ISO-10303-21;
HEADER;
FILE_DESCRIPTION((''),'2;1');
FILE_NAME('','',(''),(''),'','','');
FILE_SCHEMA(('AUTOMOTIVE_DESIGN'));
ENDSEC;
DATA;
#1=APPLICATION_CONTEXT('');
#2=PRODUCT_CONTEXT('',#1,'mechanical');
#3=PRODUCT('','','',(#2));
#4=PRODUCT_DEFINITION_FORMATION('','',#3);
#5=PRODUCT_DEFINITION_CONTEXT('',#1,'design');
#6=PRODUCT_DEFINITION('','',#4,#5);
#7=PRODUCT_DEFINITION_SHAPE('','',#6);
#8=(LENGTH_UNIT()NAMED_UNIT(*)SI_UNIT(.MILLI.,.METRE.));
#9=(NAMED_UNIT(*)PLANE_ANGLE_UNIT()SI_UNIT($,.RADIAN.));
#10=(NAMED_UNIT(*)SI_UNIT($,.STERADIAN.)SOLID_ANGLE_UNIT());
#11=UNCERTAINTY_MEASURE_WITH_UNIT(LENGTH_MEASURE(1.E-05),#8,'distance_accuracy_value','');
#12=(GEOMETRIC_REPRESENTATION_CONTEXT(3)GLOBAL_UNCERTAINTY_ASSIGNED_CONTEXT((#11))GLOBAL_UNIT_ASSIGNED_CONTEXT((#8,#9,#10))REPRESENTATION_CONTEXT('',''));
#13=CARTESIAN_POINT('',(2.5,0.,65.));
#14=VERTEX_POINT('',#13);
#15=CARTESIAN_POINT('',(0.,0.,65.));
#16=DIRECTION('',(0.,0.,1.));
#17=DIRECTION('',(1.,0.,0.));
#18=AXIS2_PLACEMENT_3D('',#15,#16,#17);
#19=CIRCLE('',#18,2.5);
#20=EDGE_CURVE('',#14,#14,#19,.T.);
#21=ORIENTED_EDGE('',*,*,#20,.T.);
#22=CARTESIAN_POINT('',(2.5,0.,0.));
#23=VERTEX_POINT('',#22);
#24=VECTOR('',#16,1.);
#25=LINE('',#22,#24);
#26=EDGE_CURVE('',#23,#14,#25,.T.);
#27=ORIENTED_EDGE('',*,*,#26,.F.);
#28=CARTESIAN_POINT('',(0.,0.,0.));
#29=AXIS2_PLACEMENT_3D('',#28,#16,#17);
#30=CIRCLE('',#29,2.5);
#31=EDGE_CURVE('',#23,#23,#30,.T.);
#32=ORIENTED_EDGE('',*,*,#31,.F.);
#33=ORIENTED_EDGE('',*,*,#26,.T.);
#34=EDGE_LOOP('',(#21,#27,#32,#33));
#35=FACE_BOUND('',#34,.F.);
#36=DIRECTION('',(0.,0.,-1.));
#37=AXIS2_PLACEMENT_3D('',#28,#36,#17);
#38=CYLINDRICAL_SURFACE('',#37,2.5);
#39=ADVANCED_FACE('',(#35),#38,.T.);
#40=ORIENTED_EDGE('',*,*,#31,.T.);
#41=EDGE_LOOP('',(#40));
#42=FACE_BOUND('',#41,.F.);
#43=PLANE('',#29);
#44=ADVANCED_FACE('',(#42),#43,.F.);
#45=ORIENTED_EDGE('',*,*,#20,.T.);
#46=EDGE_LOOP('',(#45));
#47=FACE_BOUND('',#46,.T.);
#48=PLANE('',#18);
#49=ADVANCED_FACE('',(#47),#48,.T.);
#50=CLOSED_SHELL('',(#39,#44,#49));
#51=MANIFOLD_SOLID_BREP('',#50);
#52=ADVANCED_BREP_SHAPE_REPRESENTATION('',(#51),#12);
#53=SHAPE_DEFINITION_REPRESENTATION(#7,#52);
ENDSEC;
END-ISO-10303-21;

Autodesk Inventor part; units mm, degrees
ref_plane "YZ Plane" through (0, 0, 0) normal (1, 0, 0) x (0, 1, 0)
ref_plane "XZ Plane" through (0, 0, 0) normal (0, 1, 0) x (-1, 0, 0)
ref_plane "XY Plane" through (0, 0, 0) normal (0, 0, 1) x (1, 0, 0)
sketch "Sketch1" plane through (0, 0, 0) normal (0, 0, 1) x (1, 0, 0)
  circle A0 centre (0, 0) radius 2.5
  dimension "d0" = 5
extrude "Extrusion1" add sketch "Sketch1" along normal blind 65
properties part number "motor_shaft-ab"
